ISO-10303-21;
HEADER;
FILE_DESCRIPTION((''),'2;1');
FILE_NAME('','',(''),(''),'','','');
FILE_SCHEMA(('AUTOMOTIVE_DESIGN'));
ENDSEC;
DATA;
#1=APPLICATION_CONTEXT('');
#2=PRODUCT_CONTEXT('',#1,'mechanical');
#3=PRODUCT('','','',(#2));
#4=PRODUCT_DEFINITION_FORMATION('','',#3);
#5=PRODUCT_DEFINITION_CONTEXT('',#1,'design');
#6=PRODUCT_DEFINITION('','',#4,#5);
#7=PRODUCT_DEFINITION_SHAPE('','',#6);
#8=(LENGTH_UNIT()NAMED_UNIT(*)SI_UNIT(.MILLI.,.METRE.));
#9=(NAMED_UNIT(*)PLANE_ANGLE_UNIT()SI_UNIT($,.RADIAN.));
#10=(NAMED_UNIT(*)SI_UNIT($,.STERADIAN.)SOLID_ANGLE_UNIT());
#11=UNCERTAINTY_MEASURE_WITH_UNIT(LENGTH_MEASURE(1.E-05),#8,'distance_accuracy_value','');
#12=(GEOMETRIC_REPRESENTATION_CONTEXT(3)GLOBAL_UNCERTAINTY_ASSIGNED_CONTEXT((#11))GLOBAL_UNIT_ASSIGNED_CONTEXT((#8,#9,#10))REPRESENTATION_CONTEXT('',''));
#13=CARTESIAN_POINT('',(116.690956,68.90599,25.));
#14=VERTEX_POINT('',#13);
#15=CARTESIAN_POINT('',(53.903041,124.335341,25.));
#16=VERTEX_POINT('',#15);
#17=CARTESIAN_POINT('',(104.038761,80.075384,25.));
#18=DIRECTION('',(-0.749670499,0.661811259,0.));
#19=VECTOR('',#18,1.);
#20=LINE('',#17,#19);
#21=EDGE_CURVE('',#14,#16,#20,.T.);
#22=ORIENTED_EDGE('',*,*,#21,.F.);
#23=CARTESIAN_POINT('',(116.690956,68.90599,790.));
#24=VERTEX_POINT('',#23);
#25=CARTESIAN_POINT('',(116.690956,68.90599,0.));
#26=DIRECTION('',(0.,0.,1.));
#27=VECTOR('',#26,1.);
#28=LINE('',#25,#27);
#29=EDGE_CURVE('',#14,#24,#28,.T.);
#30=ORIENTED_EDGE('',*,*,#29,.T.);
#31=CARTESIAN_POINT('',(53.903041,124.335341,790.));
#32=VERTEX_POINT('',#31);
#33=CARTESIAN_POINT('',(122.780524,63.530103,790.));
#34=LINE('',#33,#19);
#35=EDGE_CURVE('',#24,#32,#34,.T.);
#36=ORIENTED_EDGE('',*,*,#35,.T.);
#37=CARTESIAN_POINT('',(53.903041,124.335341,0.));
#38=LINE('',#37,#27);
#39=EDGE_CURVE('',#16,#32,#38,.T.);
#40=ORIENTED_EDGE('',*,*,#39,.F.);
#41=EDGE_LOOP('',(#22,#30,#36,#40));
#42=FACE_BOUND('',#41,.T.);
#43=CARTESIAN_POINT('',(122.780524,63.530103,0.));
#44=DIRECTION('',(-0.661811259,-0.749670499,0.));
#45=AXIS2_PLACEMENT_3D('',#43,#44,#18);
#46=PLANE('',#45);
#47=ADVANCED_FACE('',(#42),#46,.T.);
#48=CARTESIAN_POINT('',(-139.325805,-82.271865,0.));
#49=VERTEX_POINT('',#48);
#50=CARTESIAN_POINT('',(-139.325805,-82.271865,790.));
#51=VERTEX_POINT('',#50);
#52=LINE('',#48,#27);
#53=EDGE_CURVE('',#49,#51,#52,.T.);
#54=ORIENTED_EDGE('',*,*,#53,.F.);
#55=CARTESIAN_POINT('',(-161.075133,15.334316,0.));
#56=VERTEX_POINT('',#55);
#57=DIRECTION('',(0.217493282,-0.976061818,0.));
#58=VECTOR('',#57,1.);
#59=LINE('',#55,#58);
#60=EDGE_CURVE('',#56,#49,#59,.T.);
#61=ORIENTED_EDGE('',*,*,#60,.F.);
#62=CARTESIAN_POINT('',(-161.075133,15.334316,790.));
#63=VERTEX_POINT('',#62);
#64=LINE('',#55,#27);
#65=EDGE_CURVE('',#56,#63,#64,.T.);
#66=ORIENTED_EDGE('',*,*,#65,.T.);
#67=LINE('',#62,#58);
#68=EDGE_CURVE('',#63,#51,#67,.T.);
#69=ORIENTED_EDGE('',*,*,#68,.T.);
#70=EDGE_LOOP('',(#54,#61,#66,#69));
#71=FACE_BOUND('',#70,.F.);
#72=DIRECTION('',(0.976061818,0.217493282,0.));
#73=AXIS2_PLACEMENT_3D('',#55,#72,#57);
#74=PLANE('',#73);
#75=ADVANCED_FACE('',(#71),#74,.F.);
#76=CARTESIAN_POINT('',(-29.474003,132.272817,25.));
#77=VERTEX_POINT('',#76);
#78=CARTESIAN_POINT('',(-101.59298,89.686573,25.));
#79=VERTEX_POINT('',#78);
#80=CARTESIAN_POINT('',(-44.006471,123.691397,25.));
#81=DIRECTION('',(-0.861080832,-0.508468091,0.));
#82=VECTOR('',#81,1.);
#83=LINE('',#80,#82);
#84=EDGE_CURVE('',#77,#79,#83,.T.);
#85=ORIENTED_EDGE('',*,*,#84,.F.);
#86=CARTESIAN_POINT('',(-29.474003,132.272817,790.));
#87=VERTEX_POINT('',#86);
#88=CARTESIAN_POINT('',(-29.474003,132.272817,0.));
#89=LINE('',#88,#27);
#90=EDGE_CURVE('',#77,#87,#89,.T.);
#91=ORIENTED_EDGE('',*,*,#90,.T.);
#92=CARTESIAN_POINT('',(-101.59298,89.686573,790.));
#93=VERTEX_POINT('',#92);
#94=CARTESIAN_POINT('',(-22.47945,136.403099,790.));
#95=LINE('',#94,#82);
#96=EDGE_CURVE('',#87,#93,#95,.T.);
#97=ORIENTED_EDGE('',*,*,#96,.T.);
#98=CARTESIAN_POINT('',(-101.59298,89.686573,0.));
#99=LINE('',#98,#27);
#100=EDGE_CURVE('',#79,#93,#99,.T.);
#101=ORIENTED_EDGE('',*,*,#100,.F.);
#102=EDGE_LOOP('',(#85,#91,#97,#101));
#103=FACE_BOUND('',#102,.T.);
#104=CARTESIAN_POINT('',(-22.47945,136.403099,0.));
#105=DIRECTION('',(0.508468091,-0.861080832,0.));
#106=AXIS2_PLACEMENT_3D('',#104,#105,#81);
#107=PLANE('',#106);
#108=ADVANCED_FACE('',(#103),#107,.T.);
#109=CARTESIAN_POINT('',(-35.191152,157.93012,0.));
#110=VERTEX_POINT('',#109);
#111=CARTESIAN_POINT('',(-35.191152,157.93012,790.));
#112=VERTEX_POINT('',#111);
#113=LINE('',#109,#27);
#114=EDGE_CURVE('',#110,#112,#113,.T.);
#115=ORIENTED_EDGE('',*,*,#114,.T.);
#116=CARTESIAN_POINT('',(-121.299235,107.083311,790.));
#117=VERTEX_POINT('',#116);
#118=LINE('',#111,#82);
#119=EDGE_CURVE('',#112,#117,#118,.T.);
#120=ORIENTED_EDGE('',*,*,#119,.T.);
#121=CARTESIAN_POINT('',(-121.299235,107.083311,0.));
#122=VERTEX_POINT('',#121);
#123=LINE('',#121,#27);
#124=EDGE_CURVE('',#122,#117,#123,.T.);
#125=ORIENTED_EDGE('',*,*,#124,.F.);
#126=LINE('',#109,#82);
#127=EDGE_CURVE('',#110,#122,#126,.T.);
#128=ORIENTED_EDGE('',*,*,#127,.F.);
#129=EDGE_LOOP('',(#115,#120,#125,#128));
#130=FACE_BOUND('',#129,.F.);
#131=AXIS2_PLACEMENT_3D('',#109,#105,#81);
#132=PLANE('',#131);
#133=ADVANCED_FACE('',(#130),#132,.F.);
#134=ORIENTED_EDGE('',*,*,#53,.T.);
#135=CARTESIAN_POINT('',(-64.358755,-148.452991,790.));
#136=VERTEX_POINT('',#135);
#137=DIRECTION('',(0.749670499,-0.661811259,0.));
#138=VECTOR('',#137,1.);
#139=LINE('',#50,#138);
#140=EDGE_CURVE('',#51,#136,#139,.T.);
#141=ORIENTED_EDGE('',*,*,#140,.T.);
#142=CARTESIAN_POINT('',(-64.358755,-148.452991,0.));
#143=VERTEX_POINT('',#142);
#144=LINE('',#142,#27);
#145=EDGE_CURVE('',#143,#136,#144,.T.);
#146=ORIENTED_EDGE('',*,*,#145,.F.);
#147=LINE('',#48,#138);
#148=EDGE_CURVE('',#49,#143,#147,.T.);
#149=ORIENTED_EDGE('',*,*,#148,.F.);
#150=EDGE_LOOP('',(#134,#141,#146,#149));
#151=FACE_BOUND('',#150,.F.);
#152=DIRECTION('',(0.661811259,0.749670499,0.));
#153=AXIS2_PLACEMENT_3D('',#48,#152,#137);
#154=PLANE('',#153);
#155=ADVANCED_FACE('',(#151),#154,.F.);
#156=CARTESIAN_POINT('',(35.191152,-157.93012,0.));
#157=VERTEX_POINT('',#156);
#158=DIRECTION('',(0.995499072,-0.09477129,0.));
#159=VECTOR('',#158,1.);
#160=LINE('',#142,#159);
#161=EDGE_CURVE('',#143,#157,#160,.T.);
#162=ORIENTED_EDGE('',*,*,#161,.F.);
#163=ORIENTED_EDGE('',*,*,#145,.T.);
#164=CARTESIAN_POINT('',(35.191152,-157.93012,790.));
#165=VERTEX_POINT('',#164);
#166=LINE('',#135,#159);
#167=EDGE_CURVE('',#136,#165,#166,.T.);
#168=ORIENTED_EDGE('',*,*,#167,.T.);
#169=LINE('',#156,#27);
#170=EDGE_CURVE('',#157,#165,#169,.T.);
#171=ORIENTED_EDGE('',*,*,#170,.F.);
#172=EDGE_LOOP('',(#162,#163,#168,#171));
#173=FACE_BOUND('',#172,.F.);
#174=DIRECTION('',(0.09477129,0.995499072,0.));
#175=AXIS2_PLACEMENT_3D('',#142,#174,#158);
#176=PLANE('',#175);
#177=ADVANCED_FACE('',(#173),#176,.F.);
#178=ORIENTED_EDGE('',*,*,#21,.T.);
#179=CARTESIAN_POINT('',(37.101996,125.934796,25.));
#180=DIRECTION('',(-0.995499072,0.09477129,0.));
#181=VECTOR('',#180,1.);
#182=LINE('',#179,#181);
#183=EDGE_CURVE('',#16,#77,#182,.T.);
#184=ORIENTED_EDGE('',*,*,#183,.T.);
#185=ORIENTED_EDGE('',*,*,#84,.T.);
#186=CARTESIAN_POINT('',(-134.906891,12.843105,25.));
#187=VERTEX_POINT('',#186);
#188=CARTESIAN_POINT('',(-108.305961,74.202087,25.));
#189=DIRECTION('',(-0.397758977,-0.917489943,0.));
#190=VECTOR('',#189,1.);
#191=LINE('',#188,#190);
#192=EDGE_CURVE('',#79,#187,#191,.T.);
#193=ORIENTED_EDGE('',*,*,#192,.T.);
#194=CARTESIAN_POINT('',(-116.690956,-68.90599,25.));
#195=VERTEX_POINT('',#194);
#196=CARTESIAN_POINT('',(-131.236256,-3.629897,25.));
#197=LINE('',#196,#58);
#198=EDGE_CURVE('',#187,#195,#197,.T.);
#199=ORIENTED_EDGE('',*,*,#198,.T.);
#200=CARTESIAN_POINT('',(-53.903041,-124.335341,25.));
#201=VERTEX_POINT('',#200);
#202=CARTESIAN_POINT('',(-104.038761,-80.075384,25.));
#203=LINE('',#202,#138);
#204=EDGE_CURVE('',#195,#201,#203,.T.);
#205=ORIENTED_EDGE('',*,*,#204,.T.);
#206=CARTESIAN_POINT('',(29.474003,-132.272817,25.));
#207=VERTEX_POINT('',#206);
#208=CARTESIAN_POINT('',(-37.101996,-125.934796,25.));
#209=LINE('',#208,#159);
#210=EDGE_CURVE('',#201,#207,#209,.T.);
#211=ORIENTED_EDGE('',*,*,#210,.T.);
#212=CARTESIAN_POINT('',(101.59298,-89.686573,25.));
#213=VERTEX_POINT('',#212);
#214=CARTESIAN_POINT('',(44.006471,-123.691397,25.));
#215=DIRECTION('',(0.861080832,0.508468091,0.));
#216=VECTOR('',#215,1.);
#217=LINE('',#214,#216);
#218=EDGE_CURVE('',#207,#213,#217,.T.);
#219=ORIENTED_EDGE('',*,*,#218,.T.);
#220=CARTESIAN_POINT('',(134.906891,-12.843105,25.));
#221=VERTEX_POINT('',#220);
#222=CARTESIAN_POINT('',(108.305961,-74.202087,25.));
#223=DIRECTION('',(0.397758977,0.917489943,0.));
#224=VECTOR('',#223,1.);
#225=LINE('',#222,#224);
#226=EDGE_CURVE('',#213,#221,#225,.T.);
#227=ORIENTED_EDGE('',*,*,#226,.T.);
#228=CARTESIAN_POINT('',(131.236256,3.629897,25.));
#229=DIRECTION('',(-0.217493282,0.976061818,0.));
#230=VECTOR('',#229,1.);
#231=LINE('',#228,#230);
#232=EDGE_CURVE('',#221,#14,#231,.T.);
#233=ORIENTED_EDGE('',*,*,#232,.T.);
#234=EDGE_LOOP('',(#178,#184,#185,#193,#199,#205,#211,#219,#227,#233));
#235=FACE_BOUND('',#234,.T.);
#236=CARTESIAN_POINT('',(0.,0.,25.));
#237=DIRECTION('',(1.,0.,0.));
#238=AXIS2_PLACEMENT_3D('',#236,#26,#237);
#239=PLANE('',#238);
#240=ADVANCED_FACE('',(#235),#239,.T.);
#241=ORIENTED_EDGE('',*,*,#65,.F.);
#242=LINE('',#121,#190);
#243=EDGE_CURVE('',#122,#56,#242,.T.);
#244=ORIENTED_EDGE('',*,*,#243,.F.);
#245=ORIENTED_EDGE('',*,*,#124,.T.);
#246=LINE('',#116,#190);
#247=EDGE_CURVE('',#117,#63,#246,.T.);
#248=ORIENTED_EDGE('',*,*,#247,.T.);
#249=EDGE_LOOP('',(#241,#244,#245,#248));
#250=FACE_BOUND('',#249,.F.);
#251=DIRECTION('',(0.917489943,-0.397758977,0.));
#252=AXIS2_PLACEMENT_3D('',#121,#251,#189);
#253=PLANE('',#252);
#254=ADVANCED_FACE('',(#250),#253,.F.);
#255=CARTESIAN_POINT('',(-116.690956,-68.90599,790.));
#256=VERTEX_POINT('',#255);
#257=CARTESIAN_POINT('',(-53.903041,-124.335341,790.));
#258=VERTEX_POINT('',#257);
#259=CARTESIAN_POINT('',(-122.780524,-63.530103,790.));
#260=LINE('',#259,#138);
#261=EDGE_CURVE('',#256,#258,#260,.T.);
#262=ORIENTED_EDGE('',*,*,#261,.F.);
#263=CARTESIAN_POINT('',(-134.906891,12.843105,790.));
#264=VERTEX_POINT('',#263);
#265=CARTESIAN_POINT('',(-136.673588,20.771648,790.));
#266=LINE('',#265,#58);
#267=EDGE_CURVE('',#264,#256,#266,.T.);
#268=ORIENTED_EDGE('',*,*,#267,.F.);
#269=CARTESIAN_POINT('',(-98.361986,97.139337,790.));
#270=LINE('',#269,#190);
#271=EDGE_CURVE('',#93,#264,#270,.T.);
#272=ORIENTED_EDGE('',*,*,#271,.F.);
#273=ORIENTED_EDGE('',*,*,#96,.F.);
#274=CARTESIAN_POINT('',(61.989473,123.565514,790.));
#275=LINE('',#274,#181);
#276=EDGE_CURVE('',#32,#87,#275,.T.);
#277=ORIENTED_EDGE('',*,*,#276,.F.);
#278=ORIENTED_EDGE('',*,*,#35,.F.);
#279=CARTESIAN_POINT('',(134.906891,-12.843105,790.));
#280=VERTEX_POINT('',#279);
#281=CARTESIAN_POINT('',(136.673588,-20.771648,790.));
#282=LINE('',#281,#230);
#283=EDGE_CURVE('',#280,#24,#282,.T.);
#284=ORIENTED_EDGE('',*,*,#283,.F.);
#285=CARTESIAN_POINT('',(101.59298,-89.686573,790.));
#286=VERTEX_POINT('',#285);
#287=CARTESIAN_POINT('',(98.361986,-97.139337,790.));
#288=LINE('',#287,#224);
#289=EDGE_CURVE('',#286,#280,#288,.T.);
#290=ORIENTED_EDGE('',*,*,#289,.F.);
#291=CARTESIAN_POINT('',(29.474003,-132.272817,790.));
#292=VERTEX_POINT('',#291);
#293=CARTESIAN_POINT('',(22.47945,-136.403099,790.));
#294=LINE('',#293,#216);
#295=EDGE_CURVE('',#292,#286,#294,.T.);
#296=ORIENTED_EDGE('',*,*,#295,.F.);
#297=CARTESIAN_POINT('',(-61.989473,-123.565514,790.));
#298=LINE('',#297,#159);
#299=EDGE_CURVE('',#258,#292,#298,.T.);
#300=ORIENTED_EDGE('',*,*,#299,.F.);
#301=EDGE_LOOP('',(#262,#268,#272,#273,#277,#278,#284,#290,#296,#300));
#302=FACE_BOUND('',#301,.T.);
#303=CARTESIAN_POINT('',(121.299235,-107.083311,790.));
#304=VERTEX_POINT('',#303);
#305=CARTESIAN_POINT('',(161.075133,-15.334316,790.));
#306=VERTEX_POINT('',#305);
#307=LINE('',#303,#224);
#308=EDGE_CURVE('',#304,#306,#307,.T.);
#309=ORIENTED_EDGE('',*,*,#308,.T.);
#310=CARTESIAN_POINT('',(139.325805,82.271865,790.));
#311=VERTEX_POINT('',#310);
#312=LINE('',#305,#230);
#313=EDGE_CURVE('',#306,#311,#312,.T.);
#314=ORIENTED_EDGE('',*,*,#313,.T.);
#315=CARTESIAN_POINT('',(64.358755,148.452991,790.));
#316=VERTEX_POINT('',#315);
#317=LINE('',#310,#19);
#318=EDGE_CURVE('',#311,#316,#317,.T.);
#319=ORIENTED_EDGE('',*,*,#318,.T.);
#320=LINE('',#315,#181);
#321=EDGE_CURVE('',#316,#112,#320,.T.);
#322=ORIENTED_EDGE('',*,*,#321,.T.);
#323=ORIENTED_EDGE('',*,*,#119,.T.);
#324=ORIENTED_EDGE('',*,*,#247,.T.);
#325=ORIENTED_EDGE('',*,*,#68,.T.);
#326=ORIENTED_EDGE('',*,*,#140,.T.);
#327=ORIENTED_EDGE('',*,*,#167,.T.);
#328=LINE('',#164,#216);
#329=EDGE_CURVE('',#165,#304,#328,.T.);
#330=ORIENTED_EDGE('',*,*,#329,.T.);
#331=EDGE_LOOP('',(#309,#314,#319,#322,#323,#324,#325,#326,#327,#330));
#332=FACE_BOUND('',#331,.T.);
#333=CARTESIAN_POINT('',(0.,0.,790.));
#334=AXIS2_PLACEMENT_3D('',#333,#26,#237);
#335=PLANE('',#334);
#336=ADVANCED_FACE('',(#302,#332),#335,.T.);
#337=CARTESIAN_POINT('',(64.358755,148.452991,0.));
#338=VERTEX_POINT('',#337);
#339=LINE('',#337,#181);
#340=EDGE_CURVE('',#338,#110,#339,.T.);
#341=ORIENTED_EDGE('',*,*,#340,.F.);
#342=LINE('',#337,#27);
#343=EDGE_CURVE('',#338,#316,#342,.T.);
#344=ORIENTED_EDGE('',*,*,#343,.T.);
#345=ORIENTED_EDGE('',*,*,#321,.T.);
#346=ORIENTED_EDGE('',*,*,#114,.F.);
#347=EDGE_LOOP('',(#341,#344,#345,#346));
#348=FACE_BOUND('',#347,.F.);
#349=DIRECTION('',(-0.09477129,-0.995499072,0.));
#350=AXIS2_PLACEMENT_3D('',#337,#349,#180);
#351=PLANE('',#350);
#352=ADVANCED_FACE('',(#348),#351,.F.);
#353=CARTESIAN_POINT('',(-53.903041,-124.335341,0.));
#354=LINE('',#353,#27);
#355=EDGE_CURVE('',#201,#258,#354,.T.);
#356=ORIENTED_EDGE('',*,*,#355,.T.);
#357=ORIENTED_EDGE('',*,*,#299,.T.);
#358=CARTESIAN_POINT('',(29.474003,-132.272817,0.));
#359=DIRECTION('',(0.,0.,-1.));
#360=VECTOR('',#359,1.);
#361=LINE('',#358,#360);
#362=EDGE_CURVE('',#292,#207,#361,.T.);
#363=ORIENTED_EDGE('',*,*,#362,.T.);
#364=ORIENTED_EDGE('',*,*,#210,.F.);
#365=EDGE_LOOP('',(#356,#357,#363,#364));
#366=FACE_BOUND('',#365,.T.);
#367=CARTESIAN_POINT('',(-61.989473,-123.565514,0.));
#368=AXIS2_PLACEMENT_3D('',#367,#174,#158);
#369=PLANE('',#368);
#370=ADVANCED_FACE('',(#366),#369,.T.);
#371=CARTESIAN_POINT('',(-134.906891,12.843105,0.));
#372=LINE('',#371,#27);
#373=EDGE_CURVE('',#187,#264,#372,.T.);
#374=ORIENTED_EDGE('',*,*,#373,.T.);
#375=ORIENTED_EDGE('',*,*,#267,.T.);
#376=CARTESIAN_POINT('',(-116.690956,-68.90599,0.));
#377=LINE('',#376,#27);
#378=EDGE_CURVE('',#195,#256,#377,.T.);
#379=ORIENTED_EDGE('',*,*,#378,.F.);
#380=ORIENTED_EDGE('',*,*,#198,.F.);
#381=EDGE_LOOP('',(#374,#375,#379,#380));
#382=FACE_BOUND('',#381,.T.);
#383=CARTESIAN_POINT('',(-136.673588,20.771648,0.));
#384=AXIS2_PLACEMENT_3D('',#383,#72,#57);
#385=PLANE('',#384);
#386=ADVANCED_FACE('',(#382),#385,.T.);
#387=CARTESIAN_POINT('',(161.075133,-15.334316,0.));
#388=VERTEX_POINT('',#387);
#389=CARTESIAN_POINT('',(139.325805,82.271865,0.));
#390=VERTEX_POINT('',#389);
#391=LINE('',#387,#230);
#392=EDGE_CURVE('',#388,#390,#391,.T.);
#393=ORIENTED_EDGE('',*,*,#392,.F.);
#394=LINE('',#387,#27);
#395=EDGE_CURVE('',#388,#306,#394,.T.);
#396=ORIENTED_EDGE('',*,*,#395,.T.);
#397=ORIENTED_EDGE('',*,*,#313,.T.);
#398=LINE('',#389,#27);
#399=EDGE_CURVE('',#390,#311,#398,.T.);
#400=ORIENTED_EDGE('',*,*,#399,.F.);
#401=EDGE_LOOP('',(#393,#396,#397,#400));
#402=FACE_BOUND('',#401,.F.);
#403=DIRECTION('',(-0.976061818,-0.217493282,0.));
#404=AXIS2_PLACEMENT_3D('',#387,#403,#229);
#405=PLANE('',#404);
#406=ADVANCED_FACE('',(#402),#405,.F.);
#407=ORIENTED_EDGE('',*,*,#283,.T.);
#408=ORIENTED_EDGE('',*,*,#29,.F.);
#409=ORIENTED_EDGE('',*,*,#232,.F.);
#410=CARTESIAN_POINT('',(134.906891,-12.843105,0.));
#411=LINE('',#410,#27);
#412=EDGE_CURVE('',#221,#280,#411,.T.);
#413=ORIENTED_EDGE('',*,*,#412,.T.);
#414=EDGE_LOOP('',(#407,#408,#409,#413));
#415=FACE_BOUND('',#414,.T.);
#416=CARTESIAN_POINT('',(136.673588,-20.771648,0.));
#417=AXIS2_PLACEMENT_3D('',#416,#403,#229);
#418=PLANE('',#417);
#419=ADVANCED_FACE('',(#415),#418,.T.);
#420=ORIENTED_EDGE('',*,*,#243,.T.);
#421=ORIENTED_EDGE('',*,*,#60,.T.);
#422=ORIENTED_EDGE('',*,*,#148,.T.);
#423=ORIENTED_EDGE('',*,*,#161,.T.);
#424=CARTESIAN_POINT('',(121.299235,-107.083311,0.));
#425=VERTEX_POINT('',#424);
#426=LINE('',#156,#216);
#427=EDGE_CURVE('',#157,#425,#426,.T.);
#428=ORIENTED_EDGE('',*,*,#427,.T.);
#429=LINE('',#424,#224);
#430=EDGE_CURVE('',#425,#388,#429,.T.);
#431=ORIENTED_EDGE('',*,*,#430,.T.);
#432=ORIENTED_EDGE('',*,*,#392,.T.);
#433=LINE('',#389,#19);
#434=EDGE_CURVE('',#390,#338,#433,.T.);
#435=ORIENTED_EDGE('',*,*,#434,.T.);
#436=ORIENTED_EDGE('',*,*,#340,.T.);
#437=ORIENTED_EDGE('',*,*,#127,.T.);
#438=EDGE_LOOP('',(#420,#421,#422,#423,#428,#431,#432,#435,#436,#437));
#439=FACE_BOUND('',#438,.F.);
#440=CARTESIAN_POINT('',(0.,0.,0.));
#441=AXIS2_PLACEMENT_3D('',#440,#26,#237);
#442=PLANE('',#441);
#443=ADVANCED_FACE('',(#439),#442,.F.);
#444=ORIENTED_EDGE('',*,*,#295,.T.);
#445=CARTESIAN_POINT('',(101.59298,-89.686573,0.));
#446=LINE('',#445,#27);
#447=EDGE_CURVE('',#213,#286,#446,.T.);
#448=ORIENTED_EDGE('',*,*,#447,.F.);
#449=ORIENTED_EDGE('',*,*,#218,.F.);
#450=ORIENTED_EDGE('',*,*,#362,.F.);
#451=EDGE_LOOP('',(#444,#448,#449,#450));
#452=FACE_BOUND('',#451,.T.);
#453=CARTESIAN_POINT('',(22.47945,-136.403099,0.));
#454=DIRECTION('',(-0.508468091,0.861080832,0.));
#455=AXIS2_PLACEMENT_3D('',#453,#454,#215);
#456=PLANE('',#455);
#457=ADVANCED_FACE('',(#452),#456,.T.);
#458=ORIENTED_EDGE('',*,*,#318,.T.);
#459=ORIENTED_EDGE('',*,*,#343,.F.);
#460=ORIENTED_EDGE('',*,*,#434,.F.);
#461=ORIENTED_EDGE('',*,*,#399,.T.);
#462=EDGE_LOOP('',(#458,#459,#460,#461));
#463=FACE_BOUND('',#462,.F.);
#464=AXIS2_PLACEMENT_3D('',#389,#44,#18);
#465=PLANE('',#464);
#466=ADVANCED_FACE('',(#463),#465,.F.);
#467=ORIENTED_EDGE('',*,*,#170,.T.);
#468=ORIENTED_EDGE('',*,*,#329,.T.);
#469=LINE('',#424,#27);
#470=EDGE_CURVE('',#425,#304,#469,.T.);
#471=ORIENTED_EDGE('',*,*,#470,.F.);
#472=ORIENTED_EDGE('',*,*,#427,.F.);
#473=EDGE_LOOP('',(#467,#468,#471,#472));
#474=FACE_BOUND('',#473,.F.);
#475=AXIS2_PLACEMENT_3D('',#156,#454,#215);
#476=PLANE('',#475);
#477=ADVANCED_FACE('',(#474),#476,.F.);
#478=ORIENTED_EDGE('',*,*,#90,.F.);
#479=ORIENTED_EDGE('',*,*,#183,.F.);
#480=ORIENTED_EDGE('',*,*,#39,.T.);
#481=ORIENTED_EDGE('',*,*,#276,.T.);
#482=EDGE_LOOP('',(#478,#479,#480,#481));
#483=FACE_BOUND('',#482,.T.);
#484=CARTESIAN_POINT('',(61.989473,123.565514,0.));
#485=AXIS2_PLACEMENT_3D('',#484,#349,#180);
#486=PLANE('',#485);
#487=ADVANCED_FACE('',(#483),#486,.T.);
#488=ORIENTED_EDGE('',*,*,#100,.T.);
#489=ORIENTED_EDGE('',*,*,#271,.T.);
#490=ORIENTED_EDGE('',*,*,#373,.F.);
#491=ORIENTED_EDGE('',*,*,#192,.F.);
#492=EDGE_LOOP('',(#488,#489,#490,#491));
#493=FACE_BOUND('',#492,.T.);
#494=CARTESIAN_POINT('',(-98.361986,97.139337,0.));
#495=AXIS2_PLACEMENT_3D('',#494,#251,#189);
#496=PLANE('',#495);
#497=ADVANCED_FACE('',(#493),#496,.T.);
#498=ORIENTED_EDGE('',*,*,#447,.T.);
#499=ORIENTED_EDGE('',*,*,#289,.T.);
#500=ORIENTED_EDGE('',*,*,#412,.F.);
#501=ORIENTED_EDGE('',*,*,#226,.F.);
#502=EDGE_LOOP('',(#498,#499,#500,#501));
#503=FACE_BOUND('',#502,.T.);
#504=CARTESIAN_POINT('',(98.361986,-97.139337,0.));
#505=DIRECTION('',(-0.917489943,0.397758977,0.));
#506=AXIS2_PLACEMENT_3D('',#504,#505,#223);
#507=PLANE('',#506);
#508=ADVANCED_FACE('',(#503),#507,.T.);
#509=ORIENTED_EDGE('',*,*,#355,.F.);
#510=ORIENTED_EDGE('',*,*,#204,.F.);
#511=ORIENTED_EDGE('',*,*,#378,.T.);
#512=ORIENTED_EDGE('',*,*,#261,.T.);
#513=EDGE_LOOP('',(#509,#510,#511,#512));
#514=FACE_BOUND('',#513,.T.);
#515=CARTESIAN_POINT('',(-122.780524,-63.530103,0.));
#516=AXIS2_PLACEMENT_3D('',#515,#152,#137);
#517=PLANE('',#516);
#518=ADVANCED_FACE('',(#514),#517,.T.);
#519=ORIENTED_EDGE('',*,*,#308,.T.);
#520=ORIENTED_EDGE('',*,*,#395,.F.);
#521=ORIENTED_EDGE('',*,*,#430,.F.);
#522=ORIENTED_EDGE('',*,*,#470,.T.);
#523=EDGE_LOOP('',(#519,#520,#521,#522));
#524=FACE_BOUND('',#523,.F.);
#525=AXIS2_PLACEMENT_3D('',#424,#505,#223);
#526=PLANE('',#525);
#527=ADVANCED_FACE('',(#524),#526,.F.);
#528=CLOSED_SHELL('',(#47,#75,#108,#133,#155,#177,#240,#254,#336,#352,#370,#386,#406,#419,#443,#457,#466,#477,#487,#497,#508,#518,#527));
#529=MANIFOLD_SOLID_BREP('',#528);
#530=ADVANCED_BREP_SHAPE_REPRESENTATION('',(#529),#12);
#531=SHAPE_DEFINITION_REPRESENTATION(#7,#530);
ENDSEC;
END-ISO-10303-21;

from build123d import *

# Parameters (mm, degrees)
F1_DEPTH = 790
F2_T     = -25


with BuildPart() as f1:
    # F0 (on Top) → F1 (new body)
    with BuildSketch(Plane.XY):
        Polygon((35.191152, -157.93012), (121.299235, -107.083311), (161.075133, -15.334316), (139.325805, 82.271865), (64.358755, 148.452991), (-35.191152, 157.93012), (-121.299235, 107.083311), (-161.075133, 15.334316), (-139.325805, -82.271865), (-64.358755, -148.452991), align=None)
    extrude(amount=F1_DEPTH)

    # F2
    f2_openings = [f1.faces().sort_by_distance(p)[0] for p in [
        (0, 0, 790),
    ]]
    offset(amount=F2_T, openings=f2_openings)


solid = f1.part
